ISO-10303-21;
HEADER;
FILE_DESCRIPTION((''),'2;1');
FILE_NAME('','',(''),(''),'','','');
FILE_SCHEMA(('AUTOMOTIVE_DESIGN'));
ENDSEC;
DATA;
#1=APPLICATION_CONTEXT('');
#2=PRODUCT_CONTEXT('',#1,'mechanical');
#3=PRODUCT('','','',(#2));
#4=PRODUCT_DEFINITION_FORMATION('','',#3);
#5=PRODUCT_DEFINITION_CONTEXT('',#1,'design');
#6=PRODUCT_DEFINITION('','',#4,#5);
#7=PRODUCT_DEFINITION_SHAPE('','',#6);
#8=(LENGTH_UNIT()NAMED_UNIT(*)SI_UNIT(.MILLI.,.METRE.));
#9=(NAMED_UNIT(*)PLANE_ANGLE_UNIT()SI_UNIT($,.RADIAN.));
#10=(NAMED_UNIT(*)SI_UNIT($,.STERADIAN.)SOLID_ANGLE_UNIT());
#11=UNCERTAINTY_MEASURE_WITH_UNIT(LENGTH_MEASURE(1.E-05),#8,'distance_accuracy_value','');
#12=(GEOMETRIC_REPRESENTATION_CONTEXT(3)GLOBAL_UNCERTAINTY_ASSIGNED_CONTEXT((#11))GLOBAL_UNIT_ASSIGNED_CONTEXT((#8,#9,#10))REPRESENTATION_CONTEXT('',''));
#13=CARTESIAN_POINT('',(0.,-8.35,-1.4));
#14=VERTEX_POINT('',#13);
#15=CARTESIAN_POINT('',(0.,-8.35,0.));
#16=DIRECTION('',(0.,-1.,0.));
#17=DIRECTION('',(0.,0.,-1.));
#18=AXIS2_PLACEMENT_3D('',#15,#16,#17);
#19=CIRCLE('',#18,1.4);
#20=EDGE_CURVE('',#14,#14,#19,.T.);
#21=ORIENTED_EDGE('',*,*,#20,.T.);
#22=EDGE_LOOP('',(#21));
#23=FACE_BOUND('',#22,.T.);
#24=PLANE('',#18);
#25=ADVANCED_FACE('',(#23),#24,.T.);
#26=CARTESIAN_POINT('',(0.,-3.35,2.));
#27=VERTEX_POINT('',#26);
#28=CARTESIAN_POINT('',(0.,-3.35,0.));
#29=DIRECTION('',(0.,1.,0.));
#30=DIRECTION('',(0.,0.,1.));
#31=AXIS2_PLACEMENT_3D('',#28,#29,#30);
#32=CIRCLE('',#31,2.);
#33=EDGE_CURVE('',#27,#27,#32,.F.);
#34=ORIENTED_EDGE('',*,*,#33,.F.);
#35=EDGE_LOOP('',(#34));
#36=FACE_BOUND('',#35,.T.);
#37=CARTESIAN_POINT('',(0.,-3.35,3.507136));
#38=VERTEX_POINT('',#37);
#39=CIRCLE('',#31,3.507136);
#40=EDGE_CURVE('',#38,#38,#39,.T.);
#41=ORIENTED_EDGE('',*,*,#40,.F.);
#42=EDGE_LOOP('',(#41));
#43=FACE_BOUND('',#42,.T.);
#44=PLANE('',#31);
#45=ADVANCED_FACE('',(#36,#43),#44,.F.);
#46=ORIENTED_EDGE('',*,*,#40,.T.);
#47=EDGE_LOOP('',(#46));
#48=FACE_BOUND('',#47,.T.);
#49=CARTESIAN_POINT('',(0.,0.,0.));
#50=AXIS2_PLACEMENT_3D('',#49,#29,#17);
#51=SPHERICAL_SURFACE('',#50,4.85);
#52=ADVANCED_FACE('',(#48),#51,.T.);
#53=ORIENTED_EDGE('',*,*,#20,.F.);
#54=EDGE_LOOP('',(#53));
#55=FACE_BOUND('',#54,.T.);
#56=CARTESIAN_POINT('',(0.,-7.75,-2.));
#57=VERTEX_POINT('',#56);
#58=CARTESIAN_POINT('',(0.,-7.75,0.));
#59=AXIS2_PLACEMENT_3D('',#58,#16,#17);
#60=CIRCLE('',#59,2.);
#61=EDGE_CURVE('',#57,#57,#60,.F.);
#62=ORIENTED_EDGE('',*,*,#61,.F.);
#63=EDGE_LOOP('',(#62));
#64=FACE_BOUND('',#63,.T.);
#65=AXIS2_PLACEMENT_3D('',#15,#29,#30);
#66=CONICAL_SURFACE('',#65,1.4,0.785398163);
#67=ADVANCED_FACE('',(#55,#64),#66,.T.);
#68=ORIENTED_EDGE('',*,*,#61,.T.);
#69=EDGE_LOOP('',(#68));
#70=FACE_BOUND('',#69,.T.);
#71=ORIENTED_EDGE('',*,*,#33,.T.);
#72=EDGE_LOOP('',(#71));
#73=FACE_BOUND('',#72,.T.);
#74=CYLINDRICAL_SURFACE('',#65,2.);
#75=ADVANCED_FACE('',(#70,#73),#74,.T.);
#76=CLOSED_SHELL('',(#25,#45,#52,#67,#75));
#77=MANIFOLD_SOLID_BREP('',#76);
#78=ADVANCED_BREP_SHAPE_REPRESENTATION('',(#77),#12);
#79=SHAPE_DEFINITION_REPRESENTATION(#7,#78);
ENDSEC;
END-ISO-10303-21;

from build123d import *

# Parameters (mm, degrees)
SKIZZE2_R                       = 2
AUFSATZ_LINEAR_AUSTRAGEN1_DEPTH = 5
FASE1_SIZE                      = 0.6


with BuildPart() as part:
    # Skizze1 → Rotation1 (revolve)
    with BuildSketch(Plane(origin=(0, 0, 0), x_dir=(0, 0, -1), z_dir=(1, 0, 0))):
        with BuildLine():
            Line((0, 4.85), (0, -3.35))
            Line((0, -3.35), (3.507135583, -3.35))
            ThreePointArc((3.507135583, -3.35), (4.459260028, 1.907223112), (0, 4.85))
        make_face()
    revolve(axis=Axis((0, 21.112600536, 0), (0, -1, 0)))

    # Skizze2 → Aufsatz-Linear austragen1 (add)
    with BuildSketch(Plane.XZ.offset(3.35)):
        Circle(SKIZZE2_R)
    extrude(amount=AUFSATZ_LINEAR_AUSTRAGEN1_DEPTH)

    # Fase1
    fase1_edges = [part.edges().sort_by_distance(p)[0] for p in [
        (-2, -8.35, 0),
    ]]
    chamfer(fase1_edges, length=FASE1_SIZE)


solid = part.part
